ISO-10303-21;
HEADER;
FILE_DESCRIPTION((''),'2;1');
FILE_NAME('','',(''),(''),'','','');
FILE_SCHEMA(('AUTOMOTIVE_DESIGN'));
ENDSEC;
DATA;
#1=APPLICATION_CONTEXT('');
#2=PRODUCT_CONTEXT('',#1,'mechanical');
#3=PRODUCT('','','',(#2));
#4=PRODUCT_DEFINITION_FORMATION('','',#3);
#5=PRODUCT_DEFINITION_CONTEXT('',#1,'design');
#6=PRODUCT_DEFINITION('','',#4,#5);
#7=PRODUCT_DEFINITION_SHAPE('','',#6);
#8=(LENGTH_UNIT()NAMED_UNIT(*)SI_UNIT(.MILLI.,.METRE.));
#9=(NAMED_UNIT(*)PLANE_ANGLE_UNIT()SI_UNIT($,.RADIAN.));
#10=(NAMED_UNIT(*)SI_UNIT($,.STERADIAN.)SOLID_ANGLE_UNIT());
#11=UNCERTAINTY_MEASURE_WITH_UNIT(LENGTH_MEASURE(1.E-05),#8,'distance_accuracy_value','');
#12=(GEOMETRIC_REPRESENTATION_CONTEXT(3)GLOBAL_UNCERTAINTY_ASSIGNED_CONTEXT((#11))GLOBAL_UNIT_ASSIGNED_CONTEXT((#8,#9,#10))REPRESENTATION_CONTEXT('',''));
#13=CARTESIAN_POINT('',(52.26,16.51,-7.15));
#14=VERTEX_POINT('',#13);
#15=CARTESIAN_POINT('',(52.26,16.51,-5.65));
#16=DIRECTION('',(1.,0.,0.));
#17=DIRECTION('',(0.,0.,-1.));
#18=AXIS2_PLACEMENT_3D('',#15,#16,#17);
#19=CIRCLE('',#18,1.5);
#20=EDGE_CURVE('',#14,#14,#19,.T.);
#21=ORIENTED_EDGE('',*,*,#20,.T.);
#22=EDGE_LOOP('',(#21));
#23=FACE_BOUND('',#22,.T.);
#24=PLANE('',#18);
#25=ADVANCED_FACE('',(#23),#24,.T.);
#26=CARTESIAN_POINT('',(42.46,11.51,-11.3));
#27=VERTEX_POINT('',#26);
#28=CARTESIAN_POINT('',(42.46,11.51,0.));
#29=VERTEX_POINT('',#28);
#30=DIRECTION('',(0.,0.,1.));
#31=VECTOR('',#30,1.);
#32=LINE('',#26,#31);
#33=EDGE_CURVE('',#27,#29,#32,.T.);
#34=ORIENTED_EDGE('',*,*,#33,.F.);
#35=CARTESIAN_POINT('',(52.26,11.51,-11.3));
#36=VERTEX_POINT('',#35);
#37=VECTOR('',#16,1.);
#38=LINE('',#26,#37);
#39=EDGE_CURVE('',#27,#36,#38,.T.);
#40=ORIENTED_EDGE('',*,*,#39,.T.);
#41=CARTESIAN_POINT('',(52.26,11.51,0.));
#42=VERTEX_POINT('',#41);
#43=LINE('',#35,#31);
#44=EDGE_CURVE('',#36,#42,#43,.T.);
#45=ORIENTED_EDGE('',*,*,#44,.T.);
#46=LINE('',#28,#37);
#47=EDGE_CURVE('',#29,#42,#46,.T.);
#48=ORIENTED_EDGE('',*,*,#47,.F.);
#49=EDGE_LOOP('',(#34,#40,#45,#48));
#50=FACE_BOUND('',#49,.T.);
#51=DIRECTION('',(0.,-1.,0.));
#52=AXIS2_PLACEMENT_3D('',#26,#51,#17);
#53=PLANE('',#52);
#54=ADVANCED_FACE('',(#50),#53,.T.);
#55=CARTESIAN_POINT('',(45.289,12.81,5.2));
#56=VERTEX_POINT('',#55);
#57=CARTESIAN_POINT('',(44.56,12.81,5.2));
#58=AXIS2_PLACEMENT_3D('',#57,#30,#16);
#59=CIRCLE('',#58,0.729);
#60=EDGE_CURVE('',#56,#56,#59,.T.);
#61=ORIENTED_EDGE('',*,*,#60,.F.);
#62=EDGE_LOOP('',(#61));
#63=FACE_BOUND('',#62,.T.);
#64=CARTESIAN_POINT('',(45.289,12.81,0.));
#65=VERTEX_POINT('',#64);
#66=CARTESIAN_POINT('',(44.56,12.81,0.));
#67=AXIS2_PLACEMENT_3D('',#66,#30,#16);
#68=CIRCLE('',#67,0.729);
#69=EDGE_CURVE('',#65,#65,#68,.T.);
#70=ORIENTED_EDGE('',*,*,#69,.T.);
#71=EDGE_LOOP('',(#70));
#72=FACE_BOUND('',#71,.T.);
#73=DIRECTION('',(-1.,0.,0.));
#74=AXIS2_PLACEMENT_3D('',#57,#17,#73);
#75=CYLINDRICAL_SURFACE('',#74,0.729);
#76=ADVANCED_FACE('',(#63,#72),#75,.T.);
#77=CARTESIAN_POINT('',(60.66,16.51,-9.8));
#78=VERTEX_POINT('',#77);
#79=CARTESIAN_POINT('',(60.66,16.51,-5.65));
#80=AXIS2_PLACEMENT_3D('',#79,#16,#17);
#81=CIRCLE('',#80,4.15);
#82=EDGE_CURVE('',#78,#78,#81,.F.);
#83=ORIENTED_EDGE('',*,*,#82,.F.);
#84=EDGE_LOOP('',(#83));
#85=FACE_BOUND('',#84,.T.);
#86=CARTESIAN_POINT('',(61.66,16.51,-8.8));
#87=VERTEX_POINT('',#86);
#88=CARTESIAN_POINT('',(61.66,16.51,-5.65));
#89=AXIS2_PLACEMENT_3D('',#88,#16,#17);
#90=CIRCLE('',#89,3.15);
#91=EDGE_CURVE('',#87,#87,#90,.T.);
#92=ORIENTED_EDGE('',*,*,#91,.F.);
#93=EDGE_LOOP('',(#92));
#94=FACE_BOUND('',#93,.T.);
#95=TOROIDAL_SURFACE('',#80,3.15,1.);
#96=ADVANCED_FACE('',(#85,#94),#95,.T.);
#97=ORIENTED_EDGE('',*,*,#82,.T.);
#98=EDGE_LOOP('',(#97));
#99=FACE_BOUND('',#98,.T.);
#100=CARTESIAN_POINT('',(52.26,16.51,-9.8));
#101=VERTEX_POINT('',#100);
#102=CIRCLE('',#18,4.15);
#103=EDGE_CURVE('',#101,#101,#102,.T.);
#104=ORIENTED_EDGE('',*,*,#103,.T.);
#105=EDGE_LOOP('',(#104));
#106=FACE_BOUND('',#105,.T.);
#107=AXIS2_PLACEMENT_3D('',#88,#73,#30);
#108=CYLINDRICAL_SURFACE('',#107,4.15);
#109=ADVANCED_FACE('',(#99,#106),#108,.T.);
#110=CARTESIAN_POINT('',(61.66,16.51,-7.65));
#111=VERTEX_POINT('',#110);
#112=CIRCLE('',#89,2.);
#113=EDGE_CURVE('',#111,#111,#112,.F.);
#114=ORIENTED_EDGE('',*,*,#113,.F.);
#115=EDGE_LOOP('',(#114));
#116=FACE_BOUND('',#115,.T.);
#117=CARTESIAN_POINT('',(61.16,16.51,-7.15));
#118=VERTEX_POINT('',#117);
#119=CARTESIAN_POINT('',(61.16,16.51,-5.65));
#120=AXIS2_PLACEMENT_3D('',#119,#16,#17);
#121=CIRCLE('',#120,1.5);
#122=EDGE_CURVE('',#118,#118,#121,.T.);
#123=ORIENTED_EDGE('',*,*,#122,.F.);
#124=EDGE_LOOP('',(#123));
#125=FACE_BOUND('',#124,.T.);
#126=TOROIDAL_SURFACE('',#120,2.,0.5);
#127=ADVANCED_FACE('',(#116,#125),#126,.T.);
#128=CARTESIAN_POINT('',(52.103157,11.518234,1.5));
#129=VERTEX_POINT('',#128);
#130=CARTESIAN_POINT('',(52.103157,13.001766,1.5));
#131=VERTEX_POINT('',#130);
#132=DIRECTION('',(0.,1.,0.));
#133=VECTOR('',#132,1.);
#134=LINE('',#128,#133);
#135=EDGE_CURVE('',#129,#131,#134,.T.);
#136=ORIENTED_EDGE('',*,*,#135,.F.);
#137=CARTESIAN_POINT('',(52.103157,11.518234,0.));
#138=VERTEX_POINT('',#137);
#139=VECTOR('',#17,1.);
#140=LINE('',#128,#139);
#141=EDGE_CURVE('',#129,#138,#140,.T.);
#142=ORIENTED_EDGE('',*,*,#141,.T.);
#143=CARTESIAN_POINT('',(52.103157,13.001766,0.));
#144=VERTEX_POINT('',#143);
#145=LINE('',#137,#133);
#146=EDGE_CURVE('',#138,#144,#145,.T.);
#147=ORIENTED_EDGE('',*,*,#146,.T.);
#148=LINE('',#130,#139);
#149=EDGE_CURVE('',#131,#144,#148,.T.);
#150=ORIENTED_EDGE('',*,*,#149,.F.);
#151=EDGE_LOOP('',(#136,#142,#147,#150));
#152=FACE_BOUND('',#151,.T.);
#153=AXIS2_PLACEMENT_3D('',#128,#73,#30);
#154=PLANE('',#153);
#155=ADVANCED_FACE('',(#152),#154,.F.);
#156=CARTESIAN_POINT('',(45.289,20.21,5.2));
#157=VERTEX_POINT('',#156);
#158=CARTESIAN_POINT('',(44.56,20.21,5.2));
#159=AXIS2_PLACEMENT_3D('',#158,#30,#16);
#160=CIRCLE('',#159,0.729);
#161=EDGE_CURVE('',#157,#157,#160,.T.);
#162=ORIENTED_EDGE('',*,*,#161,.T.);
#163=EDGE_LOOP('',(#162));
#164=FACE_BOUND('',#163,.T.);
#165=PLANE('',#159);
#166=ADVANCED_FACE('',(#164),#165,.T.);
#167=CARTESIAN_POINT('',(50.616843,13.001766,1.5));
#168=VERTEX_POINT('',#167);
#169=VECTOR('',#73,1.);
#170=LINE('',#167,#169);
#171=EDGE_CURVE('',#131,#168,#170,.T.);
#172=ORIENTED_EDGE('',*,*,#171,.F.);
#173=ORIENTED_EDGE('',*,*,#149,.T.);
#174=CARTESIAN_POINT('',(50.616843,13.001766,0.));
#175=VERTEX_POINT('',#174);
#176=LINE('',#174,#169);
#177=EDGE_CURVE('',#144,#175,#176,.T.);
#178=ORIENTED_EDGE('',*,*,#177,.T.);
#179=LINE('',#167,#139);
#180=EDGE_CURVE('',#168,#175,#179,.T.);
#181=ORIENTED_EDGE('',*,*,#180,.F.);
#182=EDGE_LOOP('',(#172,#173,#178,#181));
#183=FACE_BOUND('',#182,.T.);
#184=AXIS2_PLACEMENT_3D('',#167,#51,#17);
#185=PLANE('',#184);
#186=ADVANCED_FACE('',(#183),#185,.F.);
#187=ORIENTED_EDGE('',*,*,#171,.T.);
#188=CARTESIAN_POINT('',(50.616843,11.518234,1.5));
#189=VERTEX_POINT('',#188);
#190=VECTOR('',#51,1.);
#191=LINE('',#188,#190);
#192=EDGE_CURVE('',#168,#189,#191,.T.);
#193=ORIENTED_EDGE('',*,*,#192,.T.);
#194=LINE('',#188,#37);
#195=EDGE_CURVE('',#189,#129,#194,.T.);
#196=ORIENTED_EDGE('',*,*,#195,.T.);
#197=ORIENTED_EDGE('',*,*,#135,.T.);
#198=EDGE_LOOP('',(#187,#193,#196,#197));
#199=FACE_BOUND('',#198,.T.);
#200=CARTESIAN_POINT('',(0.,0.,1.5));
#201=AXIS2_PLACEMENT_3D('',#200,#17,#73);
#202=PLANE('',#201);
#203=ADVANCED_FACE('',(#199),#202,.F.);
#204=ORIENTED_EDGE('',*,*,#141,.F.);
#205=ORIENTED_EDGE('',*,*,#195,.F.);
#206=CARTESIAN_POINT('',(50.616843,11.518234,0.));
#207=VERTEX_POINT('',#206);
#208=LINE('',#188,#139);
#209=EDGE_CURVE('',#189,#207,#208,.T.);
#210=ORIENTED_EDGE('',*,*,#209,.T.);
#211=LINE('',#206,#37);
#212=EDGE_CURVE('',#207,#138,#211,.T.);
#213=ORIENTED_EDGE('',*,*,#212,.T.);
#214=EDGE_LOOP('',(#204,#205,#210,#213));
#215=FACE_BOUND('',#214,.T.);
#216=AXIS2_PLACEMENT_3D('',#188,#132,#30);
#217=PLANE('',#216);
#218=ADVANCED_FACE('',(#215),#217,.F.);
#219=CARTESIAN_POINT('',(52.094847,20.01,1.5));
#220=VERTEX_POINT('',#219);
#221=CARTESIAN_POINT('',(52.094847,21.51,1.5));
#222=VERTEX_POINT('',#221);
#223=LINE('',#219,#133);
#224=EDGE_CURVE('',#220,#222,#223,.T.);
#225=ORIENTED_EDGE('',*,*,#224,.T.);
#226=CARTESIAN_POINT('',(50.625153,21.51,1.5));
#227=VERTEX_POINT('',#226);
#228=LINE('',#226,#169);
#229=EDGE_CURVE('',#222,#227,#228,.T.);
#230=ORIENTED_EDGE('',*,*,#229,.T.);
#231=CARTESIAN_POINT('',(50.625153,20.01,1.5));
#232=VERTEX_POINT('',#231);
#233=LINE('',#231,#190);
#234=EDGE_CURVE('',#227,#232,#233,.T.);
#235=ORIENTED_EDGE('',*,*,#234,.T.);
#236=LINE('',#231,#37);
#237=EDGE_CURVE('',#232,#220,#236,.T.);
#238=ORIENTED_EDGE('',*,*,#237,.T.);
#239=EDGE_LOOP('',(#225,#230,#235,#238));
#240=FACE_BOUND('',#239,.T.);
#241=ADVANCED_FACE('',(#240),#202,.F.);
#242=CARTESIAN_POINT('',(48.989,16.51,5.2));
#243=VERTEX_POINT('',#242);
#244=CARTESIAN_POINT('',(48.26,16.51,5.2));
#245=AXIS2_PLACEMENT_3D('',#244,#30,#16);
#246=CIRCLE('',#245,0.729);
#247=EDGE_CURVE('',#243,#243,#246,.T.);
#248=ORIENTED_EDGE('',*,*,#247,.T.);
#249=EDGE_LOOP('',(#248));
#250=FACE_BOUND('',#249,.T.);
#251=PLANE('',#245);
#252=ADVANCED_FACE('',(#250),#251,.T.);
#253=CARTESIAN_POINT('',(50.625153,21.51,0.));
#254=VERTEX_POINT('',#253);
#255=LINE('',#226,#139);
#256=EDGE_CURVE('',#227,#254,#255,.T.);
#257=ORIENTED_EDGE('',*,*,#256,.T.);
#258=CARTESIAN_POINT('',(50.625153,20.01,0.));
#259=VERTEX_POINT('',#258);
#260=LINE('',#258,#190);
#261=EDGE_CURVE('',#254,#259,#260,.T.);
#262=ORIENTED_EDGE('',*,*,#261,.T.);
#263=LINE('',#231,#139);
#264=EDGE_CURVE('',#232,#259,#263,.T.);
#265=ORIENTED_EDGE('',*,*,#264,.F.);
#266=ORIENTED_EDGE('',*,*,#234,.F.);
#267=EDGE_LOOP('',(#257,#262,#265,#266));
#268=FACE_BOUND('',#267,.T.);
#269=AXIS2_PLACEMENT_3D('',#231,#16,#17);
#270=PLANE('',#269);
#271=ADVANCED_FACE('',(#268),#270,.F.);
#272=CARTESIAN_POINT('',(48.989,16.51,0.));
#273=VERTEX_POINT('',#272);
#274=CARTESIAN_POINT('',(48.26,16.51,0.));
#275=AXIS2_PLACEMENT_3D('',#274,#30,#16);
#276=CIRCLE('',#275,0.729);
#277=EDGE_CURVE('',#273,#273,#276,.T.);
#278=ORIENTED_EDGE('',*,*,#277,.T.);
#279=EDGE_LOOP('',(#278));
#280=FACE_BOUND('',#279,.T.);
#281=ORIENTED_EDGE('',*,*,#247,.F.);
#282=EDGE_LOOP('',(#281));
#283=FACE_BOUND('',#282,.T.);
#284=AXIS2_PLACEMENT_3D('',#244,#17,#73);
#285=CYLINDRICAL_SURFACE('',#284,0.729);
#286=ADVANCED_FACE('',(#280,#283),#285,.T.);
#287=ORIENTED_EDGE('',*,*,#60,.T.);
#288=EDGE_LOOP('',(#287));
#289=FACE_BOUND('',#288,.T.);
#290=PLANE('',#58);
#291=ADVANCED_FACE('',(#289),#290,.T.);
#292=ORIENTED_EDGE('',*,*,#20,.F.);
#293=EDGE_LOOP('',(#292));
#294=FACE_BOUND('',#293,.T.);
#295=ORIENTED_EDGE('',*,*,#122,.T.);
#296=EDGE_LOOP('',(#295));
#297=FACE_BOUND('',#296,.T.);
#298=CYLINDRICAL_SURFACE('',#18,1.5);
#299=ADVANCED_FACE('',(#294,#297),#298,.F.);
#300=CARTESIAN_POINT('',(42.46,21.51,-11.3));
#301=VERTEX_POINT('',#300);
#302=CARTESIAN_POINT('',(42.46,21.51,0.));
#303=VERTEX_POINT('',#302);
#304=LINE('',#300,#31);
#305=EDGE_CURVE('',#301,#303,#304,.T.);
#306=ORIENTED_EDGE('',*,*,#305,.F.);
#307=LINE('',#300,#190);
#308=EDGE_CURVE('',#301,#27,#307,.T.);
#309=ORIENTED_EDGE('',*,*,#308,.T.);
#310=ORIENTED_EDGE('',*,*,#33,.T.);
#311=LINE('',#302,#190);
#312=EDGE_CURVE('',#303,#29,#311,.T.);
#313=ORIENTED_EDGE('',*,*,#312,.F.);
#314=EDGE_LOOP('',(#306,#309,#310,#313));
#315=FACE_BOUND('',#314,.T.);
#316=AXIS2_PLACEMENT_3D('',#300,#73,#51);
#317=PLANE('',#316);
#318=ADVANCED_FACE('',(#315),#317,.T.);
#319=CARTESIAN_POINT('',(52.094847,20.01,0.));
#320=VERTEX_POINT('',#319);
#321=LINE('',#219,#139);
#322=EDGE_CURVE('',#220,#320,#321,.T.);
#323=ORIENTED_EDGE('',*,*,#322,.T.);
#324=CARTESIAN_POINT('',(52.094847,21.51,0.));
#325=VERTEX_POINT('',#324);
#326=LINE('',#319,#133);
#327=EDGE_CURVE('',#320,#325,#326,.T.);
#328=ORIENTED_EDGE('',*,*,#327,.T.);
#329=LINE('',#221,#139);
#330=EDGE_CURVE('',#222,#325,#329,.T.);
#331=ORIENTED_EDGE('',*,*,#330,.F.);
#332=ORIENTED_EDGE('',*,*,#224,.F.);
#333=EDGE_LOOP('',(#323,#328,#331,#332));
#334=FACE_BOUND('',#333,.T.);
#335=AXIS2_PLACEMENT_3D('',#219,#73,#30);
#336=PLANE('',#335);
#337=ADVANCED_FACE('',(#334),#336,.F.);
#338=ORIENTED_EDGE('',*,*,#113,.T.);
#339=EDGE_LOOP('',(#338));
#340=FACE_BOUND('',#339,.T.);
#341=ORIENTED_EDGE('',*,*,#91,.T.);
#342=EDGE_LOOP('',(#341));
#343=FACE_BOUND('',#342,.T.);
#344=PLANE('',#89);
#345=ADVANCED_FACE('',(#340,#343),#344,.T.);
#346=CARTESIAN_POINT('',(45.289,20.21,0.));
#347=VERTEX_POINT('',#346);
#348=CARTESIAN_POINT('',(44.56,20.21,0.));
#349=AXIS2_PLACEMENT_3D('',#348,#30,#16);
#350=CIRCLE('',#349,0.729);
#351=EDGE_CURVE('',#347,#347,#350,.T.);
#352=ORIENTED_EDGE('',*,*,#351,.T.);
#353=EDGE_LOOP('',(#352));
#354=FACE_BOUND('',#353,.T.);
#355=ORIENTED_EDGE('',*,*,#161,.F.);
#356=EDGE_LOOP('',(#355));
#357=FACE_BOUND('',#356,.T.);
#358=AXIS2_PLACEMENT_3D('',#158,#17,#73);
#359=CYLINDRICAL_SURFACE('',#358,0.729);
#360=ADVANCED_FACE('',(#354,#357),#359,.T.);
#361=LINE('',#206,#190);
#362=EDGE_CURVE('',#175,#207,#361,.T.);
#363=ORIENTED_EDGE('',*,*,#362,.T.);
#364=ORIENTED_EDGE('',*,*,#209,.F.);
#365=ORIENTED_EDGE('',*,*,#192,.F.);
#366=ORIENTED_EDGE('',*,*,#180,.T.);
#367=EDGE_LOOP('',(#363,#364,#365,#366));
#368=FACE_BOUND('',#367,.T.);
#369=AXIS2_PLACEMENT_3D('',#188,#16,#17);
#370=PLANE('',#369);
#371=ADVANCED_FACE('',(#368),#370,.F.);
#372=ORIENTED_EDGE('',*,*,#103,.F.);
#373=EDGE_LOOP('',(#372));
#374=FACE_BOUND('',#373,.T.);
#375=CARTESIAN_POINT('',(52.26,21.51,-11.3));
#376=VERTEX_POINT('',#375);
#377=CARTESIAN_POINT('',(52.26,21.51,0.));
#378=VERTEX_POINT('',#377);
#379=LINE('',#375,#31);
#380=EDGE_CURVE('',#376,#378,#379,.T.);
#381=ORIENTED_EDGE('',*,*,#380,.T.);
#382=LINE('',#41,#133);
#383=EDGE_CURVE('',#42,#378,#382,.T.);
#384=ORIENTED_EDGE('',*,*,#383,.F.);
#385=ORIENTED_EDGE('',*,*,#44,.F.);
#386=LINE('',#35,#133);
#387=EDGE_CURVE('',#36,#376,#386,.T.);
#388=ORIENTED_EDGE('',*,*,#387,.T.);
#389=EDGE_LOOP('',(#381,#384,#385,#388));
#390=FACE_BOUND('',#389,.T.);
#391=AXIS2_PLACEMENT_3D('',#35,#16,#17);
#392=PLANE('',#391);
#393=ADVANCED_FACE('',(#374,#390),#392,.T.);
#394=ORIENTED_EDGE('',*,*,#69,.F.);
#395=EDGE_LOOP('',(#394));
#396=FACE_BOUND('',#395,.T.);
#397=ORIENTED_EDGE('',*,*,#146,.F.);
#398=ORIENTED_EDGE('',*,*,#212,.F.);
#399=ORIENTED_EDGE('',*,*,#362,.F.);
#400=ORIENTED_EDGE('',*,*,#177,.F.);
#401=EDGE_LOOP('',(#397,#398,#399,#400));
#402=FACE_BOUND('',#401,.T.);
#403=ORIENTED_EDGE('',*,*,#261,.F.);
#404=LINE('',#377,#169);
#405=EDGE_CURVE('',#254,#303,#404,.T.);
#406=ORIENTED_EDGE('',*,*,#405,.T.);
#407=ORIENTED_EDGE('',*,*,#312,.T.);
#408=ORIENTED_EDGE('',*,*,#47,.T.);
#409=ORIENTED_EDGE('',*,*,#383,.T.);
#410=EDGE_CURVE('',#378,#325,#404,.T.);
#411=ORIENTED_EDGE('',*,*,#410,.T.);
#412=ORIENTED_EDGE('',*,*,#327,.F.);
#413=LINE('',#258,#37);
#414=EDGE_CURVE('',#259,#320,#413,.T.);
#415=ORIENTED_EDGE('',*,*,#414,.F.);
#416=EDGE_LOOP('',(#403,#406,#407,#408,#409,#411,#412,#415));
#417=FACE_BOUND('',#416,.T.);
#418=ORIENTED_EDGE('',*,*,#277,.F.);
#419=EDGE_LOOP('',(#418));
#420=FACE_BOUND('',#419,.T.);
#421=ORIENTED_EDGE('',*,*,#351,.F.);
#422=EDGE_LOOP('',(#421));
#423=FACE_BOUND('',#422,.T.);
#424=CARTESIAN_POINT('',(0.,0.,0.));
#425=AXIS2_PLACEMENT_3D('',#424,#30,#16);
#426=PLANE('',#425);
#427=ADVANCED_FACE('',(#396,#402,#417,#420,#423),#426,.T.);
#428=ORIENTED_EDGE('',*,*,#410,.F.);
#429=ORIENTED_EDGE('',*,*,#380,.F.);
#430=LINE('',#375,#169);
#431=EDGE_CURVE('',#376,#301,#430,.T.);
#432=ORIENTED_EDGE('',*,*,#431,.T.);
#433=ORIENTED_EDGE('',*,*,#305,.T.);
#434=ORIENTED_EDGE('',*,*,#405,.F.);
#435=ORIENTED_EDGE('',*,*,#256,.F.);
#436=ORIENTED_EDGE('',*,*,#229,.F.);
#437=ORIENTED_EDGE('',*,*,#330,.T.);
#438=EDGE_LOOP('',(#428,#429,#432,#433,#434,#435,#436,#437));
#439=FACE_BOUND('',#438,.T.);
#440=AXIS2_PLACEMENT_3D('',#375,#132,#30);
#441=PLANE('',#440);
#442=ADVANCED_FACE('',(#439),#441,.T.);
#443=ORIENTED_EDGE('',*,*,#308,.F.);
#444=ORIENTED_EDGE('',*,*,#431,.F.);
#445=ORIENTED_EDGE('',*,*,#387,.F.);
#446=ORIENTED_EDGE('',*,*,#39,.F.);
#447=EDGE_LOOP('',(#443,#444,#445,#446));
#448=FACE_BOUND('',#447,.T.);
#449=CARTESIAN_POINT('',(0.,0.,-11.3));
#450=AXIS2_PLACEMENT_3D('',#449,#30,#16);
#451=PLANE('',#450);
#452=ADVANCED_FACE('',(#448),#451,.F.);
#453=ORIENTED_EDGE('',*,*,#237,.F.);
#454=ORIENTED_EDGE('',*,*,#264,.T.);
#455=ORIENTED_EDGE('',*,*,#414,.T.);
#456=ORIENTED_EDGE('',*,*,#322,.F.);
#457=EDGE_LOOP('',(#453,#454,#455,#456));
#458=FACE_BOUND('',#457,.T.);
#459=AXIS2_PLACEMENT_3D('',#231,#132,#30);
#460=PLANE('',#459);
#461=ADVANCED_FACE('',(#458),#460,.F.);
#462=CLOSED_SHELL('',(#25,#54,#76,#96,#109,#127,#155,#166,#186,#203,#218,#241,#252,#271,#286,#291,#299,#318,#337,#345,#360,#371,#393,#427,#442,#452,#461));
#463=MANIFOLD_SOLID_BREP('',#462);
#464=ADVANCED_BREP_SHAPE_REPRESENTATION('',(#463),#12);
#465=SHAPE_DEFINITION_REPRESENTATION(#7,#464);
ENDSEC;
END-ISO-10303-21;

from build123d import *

# Parameters (mm, degrees)
SKETCH5_R             = 0.729
BOSS_EXTRUDE1_DEPTH   = 5.2
BOSS_EXTRUDE1_2_DEPTH = 5.2
BOSS_EXTRUDE1_3_DEPTH = 5.2
SKETCH6_W             = 9.8
SKETCH6_H             = 10
BOSS_EXTRUDE2_DEPTH   = 11.3
SKETCH8_R             = 4.15
BOSS_EXTRUDE3_DEPTH   = 9.4
SKETCH9_R             = 1.5
CUT_EXTRUDE1_DEPTH    = 9.4
FILLET1_R             = 1
FILLET2_R             = 0.5
SKETCH10_W            = 1.469693846
SKETCH10_H            = 1.5
SKETCH10_W_2          = 1.486314294
SKETCH10_H_2          = 1.483532886
BOSS_EXTRUDE4_DEPTH   = 1.5


with BuildPart() as part:
    # Sketch5 → Boss-Extrude1 (new body)
    with BuildSketch(Plane.XY):
        with Locations((44.56, 20.21)):
            Circle(SKETCH5_R)
    extrude(amount=BOSS_EXTRUDE1_DEPTH)



with BuildPart() as body_2:
    # Sketch5 → Boss-Extrude1 2 (new body)
    with BuildSketch(Plane.XY):
        with Locations((44.56, 12.81)):
            Circle(SKETCH5_R)
    extrude(amount=BOSS_EXTRUDE1_2_DEPTH)


with BuildPart() as body_3:
    # Sketch5 → Boss-Extrude1 3 (new body)
    with BuildSketch(Plane.XY):
        with Locations((48.26, 16.51)):
            Circle(SKETCH5_R)
    extrude(amount=BOSS_EXTRUDE1_3_DEPTH)


with BuildPart() as part_1:
    add(part.part)

    add(body_2.part)  # Boss-Extrude2 merges body 2

    add(body_3.part)  # Boss-Extrude2 merges body 3
    # Sketch6 → Boss-Extrude2 (add)
    with BuildSketch(Plane.XY):
        with Locations((47.36, 16.51)):
            Rectangle(SKETCH6_W, SKETCH6_H)
    extrude(amount=-BOSS_EXTRUDE2_DEPTH)

    # Sketch8 → Boss-Extrude3 (add)
    with BuildSketch(Plane(origin=(52.26, 0, 0), x_dir=(0, 0, -1), z_dir=(1, 0, 0))):
        with Locations((5.65, 16.51)):
            Circle(SKETCH8_R)
    extrude(amount=BOSS_EXTRUDE3_DEPTH)

    # Sketch9 → Cut-Extrude1 (cut)
    with BuildSketch(Plane(origin=(61.66, 0, 0), x_dir=(0, 0, -1), z_dir=(1, 0, 0))):
        with Locations((5.65, 16.51)):
            Circle(SKETCH9_R)
    extrude(amount=-CUT_EXTRUDE1_DEPTH, mode=Mode.SUBTRACT)

    # Fillet1
    fillet1_edges = [part_1.edges().sort_by_distance(p)[0] for p in [
        (61.66, 16.51, -1.5),
    ]]
    fillet(fillet1_edges, radius=FILLET1_R)

    # Fillet2
    fillet2_edges = [part_1.edges().sort_by_distance(p)[0] for p in [
        (61.66, 16.51, -4.15),
    ]]
    fillet(fillet2_edges, radius=FILLET2_R)

    # Sketch10 → Boss-Extrude4 (add)
    with BuildSketch(Plane.XY):
        with Locations((51.36, 20.76)):
            Rectangle(SKETCH10_W, SKETCH10_H)
        with Locations((51.36, 12.26)):
            Rectangle(SKETCH10_W_2, SKETCH10_H_2)
    extrude(amount=BOSS_EXTRUDE4_DEPTH)


solid = part_1.part
